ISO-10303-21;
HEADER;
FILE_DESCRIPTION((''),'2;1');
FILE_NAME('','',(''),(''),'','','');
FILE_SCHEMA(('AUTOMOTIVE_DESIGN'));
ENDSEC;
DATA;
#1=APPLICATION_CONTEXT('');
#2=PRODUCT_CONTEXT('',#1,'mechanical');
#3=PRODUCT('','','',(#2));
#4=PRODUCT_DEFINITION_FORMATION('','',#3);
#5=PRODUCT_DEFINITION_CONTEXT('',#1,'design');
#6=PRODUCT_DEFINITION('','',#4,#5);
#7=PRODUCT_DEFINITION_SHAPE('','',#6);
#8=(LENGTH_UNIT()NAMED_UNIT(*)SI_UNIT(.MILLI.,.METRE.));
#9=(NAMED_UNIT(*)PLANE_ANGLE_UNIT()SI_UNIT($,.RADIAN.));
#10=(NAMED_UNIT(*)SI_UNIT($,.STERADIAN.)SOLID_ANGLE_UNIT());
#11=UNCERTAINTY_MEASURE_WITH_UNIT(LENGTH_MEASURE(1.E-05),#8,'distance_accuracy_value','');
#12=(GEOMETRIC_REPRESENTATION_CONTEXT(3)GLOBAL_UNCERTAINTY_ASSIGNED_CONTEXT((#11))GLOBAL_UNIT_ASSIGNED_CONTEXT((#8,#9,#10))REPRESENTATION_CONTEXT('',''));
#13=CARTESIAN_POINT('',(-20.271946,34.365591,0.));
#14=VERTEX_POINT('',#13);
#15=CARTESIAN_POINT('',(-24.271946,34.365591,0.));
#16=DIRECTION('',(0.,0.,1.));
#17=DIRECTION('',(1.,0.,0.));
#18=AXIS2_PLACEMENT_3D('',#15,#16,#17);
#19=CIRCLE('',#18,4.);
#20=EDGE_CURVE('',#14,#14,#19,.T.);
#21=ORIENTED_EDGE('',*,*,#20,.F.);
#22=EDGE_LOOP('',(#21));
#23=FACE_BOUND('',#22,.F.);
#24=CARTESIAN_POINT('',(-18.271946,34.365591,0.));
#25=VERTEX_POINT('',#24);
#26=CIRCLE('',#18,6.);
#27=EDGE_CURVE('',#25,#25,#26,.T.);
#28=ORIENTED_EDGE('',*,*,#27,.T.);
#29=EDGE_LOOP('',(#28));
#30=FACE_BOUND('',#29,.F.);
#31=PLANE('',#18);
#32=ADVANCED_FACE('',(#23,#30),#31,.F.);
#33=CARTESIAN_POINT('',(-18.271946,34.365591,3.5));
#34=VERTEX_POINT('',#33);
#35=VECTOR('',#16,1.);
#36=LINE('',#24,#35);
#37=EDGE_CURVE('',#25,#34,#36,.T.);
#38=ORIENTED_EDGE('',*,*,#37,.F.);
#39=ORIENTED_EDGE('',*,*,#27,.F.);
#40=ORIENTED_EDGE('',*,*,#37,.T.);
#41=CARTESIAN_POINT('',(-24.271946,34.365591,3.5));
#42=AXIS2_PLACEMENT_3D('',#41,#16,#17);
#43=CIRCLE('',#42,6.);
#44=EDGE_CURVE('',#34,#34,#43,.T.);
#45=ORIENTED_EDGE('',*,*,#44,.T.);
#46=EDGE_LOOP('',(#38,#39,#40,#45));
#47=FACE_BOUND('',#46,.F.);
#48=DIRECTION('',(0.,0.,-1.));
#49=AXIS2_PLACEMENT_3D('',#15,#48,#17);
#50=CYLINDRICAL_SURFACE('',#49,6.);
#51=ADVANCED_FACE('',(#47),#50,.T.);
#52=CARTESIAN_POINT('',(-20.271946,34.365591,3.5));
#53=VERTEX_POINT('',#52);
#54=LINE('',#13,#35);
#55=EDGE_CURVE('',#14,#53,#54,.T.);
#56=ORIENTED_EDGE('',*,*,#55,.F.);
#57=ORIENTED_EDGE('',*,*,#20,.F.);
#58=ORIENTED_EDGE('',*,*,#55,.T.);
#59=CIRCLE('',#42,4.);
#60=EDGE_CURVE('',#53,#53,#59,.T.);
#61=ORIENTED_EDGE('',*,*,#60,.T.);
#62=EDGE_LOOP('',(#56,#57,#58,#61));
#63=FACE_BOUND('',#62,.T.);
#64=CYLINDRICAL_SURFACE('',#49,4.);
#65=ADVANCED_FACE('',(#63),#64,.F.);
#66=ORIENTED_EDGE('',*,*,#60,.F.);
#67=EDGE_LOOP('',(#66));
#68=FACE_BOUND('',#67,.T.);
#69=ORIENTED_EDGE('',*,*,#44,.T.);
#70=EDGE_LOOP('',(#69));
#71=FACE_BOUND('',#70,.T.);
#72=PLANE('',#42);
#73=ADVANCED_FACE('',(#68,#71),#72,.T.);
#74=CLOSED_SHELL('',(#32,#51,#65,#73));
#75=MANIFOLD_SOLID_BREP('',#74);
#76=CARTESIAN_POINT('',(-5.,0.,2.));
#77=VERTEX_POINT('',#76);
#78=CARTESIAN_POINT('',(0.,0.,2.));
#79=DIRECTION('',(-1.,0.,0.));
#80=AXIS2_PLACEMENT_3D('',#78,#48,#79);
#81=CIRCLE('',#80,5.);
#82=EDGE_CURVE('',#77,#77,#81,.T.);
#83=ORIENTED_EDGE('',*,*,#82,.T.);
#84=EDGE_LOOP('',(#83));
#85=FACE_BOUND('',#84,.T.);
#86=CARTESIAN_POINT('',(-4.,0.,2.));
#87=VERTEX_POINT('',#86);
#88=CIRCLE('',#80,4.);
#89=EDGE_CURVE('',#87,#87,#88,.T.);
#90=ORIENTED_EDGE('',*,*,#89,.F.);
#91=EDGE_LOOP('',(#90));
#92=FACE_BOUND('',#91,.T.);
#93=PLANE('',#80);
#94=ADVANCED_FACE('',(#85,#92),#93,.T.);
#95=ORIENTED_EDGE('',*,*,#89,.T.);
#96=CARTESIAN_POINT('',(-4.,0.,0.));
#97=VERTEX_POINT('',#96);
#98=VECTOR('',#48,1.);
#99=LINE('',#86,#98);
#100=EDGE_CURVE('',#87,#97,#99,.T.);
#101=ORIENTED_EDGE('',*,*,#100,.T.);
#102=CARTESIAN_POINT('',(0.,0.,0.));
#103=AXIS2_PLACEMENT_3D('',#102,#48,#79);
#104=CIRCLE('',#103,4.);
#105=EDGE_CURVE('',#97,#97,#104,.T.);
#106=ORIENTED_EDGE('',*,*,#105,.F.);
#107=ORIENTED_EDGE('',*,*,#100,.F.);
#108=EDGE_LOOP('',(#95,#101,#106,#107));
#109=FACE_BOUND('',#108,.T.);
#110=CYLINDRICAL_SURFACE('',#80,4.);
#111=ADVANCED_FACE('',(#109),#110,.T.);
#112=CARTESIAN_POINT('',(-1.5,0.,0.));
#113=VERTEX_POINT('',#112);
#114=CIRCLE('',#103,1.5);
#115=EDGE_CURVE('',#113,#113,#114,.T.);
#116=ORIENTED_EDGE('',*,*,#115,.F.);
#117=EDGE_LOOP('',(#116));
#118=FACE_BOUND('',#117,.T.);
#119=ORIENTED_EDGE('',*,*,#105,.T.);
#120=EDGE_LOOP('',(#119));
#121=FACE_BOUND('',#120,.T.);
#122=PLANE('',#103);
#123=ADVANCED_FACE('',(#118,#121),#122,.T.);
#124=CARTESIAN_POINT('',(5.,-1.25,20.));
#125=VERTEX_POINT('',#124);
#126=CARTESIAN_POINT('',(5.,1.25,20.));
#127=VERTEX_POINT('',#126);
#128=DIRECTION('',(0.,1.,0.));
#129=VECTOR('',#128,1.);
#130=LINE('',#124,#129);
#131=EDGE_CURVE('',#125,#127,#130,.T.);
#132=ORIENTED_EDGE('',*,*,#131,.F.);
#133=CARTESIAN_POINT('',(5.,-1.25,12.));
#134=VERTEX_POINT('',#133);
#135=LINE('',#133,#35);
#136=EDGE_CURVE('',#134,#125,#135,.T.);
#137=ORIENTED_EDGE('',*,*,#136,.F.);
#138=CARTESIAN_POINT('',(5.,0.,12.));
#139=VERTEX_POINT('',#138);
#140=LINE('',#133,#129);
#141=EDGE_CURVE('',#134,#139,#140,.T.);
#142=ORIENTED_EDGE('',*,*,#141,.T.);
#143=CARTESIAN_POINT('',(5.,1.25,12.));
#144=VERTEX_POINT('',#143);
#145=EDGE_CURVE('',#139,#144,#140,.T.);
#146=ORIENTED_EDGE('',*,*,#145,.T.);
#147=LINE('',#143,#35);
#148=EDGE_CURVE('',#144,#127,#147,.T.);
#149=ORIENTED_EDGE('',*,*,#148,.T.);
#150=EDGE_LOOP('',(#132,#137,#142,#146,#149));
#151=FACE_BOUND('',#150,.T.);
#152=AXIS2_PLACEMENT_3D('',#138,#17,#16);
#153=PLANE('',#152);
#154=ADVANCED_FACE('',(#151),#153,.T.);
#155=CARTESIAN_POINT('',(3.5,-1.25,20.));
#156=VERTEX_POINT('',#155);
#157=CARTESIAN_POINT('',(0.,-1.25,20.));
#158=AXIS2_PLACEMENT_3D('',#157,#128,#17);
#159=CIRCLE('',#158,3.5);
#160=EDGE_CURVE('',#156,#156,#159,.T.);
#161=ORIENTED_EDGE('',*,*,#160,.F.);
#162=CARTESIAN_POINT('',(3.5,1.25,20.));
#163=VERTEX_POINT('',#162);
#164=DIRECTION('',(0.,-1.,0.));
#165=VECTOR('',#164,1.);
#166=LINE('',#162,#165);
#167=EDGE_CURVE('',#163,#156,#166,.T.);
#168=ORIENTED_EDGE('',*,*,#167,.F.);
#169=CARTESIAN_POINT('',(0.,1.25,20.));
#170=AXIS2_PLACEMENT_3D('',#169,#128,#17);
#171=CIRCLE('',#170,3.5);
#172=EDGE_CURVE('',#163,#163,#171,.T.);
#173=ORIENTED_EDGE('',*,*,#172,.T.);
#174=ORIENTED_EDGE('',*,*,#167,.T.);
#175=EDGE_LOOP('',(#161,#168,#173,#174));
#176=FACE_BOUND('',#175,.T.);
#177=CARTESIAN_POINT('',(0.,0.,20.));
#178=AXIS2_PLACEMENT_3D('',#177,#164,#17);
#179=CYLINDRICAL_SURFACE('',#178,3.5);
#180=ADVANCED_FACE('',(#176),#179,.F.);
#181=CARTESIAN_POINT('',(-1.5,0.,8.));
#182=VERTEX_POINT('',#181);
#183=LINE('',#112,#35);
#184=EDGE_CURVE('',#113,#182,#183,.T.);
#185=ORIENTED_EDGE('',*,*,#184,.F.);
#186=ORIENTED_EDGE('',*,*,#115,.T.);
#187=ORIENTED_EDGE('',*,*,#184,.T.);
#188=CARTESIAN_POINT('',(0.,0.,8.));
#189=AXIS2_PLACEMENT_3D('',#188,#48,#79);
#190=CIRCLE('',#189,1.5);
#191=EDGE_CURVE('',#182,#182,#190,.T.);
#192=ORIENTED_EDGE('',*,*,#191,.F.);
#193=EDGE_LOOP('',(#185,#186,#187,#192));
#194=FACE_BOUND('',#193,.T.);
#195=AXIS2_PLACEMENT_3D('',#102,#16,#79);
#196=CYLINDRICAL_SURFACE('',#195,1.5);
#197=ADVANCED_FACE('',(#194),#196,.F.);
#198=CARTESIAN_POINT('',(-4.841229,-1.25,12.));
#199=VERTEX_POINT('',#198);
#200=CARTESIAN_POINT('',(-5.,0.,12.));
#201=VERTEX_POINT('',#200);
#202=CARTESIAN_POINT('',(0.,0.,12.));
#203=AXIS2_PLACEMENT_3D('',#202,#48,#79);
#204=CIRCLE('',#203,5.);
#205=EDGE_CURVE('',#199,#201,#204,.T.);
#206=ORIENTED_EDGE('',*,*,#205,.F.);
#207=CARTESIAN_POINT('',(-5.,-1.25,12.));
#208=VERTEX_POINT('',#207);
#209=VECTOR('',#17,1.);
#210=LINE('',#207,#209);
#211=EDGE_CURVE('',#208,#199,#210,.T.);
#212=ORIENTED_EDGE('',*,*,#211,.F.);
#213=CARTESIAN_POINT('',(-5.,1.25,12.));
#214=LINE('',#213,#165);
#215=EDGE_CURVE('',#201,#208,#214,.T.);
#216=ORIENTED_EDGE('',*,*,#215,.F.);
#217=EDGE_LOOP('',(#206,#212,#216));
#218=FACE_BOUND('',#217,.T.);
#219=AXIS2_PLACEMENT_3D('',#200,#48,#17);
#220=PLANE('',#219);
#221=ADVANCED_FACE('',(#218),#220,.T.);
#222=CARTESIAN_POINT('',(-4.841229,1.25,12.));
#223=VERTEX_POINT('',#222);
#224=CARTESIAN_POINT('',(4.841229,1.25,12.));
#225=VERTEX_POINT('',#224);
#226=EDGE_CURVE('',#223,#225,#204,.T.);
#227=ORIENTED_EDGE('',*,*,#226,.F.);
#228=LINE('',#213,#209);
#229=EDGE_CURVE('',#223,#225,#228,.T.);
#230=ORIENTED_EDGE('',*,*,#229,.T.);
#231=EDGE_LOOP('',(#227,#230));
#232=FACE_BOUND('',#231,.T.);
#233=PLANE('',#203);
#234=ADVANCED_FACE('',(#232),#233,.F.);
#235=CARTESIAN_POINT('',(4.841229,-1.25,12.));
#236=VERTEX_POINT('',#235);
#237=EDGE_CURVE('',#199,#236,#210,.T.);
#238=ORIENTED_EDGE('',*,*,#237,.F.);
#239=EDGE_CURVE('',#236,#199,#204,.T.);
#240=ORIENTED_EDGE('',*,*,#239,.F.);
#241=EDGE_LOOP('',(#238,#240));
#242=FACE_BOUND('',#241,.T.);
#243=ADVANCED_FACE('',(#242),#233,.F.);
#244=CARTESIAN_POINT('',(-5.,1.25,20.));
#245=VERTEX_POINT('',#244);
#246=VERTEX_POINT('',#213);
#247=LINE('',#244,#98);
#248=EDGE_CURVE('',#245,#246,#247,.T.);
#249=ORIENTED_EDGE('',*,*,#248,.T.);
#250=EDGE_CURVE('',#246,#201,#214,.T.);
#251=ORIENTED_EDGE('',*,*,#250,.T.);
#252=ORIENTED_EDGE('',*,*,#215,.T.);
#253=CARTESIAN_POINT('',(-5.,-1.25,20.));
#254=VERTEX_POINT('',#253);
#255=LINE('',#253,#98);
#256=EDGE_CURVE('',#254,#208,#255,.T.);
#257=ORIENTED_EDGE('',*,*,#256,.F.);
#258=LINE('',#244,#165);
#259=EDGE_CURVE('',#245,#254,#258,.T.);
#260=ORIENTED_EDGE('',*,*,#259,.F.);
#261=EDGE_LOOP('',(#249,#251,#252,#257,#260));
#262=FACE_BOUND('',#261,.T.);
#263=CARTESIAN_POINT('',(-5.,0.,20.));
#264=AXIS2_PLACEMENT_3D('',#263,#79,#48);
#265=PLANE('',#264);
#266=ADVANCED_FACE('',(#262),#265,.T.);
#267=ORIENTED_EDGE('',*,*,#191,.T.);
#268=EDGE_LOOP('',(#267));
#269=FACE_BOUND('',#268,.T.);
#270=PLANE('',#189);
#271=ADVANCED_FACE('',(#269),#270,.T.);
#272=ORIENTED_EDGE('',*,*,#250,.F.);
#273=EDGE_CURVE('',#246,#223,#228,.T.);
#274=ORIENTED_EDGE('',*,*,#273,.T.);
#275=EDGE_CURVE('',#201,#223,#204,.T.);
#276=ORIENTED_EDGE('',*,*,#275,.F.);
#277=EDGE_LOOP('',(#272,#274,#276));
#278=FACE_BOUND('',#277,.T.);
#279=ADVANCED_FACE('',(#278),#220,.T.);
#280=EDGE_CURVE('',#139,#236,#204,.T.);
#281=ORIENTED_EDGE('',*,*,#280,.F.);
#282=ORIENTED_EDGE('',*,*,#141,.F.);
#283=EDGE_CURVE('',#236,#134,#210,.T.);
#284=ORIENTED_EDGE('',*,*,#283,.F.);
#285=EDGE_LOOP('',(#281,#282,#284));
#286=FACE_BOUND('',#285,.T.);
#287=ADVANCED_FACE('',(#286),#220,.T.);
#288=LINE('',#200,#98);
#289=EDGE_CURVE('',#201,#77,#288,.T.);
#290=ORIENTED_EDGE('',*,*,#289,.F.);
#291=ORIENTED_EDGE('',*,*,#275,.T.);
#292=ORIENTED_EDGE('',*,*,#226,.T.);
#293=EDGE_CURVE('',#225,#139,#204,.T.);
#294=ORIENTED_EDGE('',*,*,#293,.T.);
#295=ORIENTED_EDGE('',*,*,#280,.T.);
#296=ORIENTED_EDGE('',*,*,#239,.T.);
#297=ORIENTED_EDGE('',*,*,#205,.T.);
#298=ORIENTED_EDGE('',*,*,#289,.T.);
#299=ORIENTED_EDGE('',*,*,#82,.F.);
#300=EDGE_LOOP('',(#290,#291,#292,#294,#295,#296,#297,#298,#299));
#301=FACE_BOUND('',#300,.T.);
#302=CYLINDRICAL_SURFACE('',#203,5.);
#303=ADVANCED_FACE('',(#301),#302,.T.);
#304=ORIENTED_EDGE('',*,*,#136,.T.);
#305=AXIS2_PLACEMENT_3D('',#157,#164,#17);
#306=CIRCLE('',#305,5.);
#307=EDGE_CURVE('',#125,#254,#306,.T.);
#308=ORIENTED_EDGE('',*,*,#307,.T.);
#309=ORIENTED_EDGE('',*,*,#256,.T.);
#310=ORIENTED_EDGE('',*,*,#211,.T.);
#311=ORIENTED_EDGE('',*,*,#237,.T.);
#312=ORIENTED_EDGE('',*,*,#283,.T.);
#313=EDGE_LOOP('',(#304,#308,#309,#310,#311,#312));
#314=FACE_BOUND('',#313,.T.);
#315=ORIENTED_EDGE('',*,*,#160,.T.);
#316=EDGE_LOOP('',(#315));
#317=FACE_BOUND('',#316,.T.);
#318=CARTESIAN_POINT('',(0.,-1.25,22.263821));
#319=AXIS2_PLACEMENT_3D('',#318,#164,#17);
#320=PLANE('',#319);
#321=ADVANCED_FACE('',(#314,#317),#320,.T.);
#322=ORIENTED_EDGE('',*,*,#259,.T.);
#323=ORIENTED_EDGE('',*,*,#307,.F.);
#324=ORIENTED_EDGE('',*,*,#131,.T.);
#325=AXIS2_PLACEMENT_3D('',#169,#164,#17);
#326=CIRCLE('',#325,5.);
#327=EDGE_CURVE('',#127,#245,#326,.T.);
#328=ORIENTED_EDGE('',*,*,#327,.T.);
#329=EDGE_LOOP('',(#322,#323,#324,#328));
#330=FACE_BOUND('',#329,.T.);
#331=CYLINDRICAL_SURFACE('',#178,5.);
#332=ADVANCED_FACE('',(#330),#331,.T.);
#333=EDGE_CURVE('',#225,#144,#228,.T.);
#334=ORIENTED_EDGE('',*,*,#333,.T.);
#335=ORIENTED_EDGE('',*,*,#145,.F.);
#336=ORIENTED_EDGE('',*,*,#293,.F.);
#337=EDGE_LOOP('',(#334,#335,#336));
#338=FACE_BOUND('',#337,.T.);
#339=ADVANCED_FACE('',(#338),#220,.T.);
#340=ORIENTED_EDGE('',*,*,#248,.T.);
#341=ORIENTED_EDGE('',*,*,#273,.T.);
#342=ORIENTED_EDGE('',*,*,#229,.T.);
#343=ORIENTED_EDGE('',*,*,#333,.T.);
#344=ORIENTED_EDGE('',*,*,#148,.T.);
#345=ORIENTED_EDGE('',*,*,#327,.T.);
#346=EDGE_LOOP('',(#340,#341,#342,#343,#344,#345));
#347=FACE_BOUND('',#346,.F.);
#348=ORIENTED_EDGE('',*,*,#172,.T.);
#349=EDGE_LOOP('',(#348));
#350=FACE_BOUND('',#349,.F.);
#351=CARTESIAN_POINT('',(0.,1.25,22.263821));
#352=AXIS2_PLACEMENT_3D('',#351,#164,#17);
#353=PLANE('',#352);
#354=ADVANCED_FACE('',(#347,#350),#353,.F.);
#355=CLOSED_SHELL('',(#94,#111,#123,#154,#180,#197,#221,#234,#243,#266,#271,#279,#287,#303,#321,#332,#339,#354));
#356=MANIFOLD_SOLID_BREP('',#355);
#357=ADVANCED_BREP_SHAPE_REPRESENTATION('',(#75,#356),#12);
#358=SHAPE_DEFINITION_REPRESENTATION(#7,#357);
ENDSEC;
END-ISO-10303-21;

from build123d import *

# Parameters (mm, degrees)
F2_DEPTH = 1.25
F3_R     = 6
F3_R_2   = 4
F4_DEPTH = 3.5


with BuildPart() as f1:
    # F0 (on Front) → F1 (revolve)
    with BuildSketch(Plane.XZ):
        Polygon((-4, 0), (-1.5, 0), (-1.5, 8), (0, 8), (0, 12), (-5, 12), (-5, 2), (-4, 2), align=None)
    revolve(axis=Axis((0, 0, -14.899148), (0, 0, -1)))

    # F0 (on Front) → F2 (join, symmetric)
    with BuildSketch(Plane.XZ):
        with BuildLine():
            ThreePointArc((5, 20), (0, 25), (-5, 20))
            Line((-5, 20), (-3.5, 20))
            ThreePointArc((-3.5, 20), (0, 23.5), (3.5, 20))
            Line((3.5, 20), (5, 20))
        make_face()
        with BuildLine():
            Line((-5, 12), (0, 12))
            Line((0, 12), (5, 12))
            Line((5, 12), (5, 20))
            Line((5, 20), (3.5, 20))
            ThreePointArc((3.5, 20), (0, 16.5), (-3.5, 20))
            Line((-3.5, 20), (-5, 20))
            Line((-5, 20), (-5, 12))
        make_face()
    extrude(amount=F2_DEPTH, both=True)


with BuildPart() as f4:
    # F3 (on Top) → F4 (new body)
    with BuildSketch(Plane.XY):
        with Locations((-24.271946, 34.365591)):
            Circle(F3_R)
        with Locations((-24.271946, 34.365591)):
            Circle(F3_R_2, mode=Mode.SUBTRACT)
    extrude(amount=F4_DEPTH)


solid = Compound([f1.part, f4.part])
